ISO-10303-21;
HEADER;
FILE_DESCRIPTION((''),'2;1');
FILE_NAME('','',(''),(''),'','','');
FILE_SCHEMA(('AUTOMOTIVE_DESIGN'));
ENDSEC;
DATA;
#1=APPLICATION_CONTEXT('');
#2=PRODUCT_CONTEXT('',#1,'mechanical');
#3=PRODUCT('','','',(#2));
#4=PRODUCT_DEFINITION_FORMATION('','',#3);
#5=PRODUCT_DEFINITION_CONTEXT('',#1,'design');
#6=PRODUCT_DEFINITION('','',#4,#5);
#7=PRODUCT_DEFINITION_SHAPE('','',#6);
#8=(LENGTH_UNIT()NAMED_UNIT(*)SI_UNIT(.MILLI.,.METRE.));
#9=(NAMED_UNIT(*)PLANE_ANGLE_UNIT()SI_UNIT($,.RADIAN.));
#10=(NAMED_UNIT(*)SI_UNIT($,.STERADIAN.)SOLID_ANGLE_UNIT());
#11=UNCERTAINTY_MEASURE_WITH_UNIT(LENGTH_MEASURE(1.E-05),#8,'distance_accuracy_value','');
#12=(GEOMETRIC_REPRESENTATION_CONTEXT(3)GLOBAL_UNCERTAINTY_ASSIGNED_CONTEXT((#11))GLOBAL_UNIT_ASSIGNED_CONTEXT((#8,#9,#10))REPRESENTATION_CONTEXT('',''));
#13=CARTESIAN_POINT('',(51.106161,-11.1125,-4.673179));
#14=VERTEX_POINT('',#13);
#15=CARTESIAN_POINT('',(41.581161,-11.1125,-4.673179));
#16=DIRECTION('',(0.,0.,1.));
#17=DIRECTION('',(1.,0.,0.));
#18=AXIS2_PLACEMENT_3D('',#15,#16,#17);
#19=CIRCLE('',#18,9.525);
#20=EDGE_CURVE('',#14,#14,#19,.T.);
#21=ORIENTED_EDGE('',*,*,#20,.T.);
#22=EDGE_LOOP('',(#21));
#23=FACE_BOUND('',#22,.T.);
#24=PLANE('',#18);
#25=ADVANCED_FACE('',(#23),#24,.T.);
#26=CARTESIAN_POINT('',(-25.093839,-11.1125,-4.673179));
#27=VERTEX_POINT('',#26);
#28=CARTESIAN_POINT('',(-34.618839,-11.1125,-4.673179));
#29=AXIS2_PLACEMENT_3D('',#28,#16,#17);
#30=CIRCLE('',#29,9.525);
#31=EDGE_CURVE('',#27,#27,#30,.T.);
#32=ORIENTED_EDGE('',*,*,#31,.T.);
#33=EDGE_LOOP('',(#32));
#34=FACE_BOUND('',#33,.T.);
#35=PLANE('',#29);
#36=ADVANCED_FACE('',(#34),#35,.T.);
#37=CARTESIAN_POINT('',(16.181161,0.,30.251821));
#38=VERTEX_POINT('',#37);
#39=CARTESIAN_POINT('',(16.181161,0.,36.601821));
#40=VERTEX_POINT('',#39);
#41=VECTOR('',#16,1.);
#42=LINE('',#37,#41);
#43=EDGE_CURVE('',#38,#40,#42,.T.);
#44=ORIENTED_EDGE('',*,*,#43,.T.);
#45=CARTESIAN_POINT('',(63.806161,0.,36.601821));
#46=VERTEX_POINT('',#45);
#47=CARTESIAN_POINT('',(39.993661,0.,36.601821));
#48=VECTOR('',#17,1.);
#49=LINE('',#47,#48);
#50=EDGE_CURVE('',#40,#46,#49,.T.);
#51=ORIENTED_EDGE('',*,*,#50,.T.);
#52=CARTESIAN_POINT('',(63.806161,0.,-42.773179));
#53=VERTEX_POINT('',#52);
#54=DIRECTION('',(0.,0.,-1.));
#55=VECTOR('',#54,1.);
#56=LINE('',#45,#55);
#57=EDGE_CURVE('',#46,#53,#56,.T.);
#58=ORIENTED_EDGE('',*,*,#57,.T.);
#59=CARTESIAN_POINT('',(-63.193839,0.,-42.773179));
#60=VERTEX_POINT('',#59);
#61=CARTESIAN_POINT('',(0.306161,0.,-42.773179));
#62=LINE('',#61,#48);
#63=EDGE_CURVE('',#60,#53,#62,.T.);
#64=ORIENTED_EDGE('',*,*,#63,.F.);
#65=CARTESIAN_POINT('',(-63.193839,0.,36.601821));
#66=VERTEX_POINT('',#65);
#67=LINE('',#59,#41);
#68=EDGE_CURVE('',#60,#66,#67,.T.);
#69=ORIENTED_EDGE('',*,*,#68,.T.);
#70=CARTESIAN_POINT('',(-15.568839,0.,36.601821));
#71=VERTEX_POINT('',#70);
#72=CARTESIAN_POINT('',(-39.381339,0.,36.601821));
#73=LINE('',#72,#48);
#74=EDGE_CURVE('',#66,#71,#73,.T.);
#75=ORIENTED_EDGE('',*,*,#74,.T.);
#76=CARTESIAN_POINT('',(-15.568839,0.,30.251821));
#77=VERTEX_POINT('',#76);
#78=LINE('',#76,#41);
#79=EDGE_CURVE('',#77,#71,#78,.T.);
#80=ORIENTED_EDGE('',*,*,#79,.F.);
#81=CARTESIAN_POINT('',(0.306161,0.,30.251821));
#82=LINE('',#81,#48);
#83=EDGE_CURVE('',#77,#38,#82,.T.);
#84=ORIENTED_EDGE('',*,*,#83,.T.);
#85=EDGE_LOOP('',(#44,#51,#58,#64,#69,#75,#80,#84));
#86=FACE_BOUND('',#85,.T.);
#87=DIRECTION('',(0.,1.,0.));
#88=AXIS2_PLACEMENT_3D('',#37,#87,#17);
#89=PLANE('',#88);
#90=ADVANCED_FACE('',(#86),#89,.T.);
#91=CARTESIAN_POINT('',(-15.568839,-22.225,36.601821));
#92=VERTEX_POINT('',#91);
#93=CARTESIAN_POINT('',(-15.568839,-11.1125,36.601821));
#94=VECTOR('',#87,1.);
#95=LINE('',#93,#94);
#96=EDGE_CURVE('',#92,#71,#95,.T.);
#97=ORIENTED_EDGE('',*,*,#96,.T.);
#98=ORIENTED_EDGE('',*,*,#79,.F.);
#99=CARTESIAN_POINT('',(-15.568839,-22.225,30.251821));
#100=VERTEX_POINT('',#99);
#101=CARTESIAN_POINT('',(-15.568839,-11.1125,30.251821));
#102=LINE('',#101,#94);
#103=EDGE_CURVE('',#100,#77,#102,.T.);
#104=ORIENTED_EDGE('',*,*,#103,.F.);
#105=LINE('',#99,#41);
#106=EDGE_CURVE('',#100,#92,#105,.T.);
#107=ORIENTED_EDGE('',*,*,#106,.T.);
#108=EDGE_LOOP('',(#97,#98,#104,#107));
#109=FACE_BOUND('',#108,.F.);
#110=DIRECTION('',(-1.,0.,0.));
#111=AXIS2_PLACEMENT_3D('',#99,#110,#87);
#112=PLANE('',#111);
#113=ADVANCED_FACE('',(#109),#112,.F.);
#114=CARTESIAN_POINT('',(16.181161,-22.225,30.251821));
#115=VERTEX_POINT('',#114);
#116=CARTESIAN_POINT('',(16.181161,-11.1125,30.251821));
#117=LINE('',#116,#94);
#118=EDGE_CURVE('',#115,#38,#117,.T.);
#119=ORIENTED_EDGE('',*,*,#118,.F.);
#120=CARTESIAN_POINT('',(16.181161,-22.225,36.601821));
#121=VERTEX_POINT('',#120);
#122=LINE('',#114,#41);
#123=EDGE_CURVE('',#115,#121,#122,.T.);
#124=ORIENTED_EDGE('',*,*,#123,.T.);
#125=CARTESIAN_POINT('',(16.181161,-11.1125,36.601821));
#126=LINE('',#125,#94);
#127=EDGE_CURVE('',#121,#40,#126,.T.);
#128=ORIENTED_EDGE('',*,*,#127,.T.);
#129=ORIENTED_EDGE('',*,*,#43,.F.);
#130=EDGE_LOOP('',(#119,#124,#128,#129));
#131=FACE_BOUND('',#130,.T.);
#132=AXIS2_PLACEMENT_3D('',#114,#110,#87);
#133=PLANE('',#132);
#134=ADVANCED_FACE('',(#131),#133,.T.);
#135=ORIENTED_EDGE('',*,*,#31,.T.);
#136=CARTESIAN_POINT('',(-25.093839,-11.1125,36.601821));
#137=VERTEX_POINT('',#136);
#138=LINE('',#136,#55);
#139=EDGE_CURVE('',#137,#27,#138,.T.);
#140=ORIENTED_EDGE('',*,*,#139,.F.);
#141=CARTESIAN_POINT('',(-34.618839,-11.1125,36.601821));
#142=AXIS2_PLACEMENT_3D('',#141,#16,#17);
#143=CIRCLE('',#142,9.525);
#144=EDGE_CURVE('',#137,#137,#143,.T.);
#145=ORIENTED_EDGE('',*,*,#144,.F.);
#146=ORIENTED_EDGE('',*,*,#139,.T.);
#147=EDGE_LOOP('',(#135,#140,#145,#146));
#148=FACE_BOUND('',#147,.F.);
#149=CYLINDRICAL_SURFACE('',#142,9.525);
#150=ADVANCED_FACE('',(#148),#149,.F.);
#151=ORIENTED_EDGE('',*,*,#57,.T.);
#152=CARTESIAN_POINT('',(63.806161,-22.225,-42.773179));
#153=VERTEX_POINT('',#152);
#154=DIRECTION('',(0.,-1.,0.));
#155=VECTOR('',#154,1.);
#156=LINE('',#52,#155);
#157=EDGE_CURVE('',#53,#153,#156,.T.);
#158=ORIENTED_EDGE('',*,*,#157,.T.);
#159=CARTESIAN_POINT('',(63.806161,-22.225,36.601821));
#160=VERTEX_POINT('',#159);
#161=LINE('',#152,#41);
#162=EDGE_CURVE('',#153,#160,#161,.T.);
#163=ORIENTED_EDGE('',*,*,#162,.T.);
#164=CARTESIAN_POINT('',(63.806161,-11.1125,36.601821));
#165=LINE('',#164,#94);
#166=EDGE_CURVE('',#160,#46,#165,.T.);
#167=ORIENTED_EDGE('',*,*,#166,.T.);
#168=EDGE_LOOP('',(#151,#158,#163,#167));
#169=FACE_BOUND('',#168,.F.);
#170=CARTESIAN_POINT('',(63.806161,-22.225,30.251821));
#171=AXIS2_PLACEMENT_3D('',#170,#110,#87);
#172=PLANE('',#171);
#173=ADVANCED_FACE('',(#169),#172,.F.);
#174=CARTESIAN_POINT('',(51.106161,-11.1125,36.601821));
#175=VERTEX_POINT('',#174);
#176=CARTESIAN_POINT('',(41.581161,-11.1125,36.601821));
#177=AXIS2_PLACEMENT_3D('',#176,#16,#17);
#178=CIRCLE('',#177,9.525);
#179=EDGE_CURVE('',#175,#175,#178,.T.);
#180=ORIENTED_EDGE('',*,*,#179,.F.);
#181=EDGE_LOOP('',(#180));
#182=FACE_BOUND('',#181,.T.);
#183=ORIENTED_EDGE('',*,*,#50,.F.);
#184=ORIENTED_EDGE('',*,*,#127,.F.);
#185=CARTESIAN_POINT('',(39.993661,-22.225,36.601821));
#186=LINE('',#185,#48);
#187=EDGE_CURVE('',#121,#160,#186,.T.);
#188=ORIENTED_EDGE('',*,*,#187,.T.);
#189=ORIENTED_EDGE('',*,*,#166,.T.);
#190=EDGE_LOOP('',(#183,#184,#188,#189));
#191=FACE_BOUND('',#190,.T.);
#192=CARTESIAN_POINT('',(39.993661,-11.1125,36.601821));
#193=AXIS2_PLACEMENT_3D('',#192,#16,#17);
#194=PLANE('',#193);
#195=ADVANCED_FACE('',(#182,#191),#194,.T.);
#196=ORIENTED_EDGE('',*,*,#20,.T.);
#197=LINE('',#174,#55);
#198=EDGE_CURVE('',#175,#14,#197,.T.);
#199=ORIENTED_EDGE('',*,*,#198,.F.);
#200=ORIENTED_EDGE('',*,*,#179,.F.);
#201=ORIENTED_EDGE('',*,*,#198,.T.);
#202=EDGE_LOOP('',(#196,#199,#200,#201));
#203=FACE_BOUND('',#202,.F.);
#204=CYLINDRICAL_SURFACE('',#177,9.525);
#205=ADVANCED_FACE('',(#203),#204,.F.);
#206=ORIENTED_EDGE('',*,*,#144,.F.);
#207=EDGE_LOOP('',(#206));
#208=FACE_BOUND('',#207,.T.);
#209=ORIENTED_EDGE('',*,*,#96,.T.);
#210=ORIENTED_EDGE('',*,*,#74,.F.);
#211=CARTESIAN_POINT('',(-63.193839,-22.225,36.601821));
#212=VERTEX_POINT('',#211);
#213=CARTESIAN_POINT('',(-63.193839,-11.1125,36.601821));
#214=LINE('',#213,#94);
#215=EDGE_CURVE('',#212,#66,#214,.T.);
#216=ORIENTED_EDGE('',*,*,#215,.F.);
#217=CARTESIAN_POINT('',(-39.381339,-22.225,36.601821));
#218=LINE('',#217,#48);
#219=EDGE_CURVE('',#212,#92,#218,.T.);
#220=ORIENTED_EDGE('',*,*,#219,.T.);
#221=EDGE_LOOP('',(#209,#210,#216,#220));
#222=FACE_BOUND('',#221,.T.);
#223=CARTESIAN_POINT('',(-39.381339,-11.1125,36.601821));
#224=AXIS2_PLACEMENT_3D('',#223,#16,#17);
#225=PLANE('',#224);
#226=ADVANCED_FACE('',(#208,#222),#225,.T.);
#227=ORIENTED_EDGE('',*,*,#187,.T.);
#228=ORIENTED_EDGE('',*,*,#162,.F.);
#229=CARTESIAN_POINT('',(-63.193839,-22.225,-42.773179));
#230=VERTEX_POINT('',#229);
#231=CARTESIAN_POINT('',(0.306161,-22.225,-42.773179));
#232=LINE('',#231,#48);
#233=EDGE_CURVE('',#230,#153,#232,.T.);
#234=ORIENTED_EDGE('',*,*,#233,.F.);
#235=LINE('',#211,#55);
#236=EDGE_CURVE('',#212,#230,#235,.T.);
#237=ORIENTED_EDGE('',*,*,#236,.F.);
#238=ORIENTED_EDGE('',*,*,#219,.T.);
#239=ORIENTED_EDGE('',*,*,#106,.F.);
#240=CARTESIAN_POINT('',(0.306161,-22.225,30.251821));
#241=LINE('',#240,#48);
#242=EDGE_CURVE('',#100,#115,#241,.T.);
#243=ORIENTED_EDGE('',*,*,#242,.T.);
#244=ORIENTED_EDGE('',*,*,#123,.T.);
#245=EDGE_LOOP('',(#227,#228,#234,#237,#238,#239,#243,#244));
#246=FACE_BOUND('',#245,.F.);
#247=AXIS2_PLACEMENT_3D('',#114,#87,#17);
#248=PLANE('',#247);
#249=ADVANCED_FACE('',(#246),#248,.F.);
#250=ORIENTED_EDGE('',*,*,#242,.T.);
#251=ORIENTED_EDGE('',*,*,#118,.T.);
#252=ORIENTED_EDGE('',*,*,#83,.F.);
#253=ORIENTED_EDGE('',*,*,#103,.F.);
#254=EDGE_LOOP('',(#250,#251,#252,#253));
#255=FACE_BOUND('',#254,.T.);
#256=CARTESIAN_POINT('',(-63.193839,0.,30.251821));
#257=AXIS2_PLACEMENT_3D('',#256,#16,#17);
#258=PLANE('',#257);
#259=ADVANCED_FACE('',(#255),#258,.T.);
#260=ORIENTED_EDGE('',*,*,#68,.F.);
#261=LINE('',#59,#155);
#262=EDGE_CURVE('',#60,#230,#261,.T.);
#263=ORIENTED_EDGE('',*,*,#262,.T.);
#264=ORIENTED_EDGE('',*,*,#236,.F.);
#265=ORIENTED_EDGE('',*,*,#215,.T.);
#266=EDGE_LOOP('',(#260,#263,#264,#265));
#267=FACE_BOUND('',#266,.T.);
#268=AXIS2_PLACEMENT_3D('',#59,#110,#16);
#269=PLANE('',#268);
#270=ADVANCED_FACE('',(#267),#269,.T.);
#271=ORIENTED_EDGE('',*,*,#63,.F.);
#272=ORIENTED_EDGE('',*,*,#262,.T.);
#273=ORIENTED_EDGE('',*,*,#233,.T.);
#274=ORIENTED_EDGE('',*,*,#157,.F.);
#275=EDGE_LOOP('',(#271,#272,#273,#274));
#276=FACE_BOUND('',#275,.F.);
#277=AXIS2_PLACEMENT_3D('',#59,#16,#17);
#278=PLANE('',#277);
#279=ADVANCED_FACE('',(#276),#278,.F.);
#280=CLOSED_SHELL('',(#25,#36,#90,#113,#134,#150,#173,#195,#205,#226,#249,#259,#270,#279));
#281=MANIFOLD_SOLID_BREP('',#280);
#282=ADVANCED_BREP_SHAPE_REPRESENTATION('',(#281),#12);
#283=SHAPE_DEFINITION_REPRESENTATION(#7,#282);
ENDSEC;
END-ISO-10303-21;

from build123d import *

# Parameters (mm, degrees)
F0_W     = 127
F0_H     = 73.025
F1_DEPTH = 22.225
F2_W     = 47.625
F2_H     = 22.225
F3_DEPTH = 6.35
F4_R     = 9.525
F5_DEPTH = 41.275


with BuildPart() as f1:
    # F0 (on Front) → F1 (new body)
    with BuildSketch(Plane.XZ):
        with Locations((0.306161, -6.260679)):
            Rectangle(F0_W, F0_H)
    extrude(amount=F1_DEPTH)

    # F2 (on face) → F3 (join)
    with BuildSketch(Plane.XY.offset(30.251821)):
        with Locations((39.993661, -11.1125)):
            Rectangle(F2_W, F2_H)
        with Locations((-39.381339, -11.1125)):
            Rectangle(F2_W, F2_H)
    extrude(amount=F3_DEPTH)

    # F4 (on face) → F5 (cut)
    with BuildSketch(Plane.XY.offset(36.601821)):
        with Locations((-34.618839, -11.1125)):
            Circle(F4_R)
        with Locations((41.581161, -11.1125)):
            Circle(F4_R)
    extrude(amount=-F5_DEPTH, mode=Mode.SUBTRACT)


solid = f1.part
